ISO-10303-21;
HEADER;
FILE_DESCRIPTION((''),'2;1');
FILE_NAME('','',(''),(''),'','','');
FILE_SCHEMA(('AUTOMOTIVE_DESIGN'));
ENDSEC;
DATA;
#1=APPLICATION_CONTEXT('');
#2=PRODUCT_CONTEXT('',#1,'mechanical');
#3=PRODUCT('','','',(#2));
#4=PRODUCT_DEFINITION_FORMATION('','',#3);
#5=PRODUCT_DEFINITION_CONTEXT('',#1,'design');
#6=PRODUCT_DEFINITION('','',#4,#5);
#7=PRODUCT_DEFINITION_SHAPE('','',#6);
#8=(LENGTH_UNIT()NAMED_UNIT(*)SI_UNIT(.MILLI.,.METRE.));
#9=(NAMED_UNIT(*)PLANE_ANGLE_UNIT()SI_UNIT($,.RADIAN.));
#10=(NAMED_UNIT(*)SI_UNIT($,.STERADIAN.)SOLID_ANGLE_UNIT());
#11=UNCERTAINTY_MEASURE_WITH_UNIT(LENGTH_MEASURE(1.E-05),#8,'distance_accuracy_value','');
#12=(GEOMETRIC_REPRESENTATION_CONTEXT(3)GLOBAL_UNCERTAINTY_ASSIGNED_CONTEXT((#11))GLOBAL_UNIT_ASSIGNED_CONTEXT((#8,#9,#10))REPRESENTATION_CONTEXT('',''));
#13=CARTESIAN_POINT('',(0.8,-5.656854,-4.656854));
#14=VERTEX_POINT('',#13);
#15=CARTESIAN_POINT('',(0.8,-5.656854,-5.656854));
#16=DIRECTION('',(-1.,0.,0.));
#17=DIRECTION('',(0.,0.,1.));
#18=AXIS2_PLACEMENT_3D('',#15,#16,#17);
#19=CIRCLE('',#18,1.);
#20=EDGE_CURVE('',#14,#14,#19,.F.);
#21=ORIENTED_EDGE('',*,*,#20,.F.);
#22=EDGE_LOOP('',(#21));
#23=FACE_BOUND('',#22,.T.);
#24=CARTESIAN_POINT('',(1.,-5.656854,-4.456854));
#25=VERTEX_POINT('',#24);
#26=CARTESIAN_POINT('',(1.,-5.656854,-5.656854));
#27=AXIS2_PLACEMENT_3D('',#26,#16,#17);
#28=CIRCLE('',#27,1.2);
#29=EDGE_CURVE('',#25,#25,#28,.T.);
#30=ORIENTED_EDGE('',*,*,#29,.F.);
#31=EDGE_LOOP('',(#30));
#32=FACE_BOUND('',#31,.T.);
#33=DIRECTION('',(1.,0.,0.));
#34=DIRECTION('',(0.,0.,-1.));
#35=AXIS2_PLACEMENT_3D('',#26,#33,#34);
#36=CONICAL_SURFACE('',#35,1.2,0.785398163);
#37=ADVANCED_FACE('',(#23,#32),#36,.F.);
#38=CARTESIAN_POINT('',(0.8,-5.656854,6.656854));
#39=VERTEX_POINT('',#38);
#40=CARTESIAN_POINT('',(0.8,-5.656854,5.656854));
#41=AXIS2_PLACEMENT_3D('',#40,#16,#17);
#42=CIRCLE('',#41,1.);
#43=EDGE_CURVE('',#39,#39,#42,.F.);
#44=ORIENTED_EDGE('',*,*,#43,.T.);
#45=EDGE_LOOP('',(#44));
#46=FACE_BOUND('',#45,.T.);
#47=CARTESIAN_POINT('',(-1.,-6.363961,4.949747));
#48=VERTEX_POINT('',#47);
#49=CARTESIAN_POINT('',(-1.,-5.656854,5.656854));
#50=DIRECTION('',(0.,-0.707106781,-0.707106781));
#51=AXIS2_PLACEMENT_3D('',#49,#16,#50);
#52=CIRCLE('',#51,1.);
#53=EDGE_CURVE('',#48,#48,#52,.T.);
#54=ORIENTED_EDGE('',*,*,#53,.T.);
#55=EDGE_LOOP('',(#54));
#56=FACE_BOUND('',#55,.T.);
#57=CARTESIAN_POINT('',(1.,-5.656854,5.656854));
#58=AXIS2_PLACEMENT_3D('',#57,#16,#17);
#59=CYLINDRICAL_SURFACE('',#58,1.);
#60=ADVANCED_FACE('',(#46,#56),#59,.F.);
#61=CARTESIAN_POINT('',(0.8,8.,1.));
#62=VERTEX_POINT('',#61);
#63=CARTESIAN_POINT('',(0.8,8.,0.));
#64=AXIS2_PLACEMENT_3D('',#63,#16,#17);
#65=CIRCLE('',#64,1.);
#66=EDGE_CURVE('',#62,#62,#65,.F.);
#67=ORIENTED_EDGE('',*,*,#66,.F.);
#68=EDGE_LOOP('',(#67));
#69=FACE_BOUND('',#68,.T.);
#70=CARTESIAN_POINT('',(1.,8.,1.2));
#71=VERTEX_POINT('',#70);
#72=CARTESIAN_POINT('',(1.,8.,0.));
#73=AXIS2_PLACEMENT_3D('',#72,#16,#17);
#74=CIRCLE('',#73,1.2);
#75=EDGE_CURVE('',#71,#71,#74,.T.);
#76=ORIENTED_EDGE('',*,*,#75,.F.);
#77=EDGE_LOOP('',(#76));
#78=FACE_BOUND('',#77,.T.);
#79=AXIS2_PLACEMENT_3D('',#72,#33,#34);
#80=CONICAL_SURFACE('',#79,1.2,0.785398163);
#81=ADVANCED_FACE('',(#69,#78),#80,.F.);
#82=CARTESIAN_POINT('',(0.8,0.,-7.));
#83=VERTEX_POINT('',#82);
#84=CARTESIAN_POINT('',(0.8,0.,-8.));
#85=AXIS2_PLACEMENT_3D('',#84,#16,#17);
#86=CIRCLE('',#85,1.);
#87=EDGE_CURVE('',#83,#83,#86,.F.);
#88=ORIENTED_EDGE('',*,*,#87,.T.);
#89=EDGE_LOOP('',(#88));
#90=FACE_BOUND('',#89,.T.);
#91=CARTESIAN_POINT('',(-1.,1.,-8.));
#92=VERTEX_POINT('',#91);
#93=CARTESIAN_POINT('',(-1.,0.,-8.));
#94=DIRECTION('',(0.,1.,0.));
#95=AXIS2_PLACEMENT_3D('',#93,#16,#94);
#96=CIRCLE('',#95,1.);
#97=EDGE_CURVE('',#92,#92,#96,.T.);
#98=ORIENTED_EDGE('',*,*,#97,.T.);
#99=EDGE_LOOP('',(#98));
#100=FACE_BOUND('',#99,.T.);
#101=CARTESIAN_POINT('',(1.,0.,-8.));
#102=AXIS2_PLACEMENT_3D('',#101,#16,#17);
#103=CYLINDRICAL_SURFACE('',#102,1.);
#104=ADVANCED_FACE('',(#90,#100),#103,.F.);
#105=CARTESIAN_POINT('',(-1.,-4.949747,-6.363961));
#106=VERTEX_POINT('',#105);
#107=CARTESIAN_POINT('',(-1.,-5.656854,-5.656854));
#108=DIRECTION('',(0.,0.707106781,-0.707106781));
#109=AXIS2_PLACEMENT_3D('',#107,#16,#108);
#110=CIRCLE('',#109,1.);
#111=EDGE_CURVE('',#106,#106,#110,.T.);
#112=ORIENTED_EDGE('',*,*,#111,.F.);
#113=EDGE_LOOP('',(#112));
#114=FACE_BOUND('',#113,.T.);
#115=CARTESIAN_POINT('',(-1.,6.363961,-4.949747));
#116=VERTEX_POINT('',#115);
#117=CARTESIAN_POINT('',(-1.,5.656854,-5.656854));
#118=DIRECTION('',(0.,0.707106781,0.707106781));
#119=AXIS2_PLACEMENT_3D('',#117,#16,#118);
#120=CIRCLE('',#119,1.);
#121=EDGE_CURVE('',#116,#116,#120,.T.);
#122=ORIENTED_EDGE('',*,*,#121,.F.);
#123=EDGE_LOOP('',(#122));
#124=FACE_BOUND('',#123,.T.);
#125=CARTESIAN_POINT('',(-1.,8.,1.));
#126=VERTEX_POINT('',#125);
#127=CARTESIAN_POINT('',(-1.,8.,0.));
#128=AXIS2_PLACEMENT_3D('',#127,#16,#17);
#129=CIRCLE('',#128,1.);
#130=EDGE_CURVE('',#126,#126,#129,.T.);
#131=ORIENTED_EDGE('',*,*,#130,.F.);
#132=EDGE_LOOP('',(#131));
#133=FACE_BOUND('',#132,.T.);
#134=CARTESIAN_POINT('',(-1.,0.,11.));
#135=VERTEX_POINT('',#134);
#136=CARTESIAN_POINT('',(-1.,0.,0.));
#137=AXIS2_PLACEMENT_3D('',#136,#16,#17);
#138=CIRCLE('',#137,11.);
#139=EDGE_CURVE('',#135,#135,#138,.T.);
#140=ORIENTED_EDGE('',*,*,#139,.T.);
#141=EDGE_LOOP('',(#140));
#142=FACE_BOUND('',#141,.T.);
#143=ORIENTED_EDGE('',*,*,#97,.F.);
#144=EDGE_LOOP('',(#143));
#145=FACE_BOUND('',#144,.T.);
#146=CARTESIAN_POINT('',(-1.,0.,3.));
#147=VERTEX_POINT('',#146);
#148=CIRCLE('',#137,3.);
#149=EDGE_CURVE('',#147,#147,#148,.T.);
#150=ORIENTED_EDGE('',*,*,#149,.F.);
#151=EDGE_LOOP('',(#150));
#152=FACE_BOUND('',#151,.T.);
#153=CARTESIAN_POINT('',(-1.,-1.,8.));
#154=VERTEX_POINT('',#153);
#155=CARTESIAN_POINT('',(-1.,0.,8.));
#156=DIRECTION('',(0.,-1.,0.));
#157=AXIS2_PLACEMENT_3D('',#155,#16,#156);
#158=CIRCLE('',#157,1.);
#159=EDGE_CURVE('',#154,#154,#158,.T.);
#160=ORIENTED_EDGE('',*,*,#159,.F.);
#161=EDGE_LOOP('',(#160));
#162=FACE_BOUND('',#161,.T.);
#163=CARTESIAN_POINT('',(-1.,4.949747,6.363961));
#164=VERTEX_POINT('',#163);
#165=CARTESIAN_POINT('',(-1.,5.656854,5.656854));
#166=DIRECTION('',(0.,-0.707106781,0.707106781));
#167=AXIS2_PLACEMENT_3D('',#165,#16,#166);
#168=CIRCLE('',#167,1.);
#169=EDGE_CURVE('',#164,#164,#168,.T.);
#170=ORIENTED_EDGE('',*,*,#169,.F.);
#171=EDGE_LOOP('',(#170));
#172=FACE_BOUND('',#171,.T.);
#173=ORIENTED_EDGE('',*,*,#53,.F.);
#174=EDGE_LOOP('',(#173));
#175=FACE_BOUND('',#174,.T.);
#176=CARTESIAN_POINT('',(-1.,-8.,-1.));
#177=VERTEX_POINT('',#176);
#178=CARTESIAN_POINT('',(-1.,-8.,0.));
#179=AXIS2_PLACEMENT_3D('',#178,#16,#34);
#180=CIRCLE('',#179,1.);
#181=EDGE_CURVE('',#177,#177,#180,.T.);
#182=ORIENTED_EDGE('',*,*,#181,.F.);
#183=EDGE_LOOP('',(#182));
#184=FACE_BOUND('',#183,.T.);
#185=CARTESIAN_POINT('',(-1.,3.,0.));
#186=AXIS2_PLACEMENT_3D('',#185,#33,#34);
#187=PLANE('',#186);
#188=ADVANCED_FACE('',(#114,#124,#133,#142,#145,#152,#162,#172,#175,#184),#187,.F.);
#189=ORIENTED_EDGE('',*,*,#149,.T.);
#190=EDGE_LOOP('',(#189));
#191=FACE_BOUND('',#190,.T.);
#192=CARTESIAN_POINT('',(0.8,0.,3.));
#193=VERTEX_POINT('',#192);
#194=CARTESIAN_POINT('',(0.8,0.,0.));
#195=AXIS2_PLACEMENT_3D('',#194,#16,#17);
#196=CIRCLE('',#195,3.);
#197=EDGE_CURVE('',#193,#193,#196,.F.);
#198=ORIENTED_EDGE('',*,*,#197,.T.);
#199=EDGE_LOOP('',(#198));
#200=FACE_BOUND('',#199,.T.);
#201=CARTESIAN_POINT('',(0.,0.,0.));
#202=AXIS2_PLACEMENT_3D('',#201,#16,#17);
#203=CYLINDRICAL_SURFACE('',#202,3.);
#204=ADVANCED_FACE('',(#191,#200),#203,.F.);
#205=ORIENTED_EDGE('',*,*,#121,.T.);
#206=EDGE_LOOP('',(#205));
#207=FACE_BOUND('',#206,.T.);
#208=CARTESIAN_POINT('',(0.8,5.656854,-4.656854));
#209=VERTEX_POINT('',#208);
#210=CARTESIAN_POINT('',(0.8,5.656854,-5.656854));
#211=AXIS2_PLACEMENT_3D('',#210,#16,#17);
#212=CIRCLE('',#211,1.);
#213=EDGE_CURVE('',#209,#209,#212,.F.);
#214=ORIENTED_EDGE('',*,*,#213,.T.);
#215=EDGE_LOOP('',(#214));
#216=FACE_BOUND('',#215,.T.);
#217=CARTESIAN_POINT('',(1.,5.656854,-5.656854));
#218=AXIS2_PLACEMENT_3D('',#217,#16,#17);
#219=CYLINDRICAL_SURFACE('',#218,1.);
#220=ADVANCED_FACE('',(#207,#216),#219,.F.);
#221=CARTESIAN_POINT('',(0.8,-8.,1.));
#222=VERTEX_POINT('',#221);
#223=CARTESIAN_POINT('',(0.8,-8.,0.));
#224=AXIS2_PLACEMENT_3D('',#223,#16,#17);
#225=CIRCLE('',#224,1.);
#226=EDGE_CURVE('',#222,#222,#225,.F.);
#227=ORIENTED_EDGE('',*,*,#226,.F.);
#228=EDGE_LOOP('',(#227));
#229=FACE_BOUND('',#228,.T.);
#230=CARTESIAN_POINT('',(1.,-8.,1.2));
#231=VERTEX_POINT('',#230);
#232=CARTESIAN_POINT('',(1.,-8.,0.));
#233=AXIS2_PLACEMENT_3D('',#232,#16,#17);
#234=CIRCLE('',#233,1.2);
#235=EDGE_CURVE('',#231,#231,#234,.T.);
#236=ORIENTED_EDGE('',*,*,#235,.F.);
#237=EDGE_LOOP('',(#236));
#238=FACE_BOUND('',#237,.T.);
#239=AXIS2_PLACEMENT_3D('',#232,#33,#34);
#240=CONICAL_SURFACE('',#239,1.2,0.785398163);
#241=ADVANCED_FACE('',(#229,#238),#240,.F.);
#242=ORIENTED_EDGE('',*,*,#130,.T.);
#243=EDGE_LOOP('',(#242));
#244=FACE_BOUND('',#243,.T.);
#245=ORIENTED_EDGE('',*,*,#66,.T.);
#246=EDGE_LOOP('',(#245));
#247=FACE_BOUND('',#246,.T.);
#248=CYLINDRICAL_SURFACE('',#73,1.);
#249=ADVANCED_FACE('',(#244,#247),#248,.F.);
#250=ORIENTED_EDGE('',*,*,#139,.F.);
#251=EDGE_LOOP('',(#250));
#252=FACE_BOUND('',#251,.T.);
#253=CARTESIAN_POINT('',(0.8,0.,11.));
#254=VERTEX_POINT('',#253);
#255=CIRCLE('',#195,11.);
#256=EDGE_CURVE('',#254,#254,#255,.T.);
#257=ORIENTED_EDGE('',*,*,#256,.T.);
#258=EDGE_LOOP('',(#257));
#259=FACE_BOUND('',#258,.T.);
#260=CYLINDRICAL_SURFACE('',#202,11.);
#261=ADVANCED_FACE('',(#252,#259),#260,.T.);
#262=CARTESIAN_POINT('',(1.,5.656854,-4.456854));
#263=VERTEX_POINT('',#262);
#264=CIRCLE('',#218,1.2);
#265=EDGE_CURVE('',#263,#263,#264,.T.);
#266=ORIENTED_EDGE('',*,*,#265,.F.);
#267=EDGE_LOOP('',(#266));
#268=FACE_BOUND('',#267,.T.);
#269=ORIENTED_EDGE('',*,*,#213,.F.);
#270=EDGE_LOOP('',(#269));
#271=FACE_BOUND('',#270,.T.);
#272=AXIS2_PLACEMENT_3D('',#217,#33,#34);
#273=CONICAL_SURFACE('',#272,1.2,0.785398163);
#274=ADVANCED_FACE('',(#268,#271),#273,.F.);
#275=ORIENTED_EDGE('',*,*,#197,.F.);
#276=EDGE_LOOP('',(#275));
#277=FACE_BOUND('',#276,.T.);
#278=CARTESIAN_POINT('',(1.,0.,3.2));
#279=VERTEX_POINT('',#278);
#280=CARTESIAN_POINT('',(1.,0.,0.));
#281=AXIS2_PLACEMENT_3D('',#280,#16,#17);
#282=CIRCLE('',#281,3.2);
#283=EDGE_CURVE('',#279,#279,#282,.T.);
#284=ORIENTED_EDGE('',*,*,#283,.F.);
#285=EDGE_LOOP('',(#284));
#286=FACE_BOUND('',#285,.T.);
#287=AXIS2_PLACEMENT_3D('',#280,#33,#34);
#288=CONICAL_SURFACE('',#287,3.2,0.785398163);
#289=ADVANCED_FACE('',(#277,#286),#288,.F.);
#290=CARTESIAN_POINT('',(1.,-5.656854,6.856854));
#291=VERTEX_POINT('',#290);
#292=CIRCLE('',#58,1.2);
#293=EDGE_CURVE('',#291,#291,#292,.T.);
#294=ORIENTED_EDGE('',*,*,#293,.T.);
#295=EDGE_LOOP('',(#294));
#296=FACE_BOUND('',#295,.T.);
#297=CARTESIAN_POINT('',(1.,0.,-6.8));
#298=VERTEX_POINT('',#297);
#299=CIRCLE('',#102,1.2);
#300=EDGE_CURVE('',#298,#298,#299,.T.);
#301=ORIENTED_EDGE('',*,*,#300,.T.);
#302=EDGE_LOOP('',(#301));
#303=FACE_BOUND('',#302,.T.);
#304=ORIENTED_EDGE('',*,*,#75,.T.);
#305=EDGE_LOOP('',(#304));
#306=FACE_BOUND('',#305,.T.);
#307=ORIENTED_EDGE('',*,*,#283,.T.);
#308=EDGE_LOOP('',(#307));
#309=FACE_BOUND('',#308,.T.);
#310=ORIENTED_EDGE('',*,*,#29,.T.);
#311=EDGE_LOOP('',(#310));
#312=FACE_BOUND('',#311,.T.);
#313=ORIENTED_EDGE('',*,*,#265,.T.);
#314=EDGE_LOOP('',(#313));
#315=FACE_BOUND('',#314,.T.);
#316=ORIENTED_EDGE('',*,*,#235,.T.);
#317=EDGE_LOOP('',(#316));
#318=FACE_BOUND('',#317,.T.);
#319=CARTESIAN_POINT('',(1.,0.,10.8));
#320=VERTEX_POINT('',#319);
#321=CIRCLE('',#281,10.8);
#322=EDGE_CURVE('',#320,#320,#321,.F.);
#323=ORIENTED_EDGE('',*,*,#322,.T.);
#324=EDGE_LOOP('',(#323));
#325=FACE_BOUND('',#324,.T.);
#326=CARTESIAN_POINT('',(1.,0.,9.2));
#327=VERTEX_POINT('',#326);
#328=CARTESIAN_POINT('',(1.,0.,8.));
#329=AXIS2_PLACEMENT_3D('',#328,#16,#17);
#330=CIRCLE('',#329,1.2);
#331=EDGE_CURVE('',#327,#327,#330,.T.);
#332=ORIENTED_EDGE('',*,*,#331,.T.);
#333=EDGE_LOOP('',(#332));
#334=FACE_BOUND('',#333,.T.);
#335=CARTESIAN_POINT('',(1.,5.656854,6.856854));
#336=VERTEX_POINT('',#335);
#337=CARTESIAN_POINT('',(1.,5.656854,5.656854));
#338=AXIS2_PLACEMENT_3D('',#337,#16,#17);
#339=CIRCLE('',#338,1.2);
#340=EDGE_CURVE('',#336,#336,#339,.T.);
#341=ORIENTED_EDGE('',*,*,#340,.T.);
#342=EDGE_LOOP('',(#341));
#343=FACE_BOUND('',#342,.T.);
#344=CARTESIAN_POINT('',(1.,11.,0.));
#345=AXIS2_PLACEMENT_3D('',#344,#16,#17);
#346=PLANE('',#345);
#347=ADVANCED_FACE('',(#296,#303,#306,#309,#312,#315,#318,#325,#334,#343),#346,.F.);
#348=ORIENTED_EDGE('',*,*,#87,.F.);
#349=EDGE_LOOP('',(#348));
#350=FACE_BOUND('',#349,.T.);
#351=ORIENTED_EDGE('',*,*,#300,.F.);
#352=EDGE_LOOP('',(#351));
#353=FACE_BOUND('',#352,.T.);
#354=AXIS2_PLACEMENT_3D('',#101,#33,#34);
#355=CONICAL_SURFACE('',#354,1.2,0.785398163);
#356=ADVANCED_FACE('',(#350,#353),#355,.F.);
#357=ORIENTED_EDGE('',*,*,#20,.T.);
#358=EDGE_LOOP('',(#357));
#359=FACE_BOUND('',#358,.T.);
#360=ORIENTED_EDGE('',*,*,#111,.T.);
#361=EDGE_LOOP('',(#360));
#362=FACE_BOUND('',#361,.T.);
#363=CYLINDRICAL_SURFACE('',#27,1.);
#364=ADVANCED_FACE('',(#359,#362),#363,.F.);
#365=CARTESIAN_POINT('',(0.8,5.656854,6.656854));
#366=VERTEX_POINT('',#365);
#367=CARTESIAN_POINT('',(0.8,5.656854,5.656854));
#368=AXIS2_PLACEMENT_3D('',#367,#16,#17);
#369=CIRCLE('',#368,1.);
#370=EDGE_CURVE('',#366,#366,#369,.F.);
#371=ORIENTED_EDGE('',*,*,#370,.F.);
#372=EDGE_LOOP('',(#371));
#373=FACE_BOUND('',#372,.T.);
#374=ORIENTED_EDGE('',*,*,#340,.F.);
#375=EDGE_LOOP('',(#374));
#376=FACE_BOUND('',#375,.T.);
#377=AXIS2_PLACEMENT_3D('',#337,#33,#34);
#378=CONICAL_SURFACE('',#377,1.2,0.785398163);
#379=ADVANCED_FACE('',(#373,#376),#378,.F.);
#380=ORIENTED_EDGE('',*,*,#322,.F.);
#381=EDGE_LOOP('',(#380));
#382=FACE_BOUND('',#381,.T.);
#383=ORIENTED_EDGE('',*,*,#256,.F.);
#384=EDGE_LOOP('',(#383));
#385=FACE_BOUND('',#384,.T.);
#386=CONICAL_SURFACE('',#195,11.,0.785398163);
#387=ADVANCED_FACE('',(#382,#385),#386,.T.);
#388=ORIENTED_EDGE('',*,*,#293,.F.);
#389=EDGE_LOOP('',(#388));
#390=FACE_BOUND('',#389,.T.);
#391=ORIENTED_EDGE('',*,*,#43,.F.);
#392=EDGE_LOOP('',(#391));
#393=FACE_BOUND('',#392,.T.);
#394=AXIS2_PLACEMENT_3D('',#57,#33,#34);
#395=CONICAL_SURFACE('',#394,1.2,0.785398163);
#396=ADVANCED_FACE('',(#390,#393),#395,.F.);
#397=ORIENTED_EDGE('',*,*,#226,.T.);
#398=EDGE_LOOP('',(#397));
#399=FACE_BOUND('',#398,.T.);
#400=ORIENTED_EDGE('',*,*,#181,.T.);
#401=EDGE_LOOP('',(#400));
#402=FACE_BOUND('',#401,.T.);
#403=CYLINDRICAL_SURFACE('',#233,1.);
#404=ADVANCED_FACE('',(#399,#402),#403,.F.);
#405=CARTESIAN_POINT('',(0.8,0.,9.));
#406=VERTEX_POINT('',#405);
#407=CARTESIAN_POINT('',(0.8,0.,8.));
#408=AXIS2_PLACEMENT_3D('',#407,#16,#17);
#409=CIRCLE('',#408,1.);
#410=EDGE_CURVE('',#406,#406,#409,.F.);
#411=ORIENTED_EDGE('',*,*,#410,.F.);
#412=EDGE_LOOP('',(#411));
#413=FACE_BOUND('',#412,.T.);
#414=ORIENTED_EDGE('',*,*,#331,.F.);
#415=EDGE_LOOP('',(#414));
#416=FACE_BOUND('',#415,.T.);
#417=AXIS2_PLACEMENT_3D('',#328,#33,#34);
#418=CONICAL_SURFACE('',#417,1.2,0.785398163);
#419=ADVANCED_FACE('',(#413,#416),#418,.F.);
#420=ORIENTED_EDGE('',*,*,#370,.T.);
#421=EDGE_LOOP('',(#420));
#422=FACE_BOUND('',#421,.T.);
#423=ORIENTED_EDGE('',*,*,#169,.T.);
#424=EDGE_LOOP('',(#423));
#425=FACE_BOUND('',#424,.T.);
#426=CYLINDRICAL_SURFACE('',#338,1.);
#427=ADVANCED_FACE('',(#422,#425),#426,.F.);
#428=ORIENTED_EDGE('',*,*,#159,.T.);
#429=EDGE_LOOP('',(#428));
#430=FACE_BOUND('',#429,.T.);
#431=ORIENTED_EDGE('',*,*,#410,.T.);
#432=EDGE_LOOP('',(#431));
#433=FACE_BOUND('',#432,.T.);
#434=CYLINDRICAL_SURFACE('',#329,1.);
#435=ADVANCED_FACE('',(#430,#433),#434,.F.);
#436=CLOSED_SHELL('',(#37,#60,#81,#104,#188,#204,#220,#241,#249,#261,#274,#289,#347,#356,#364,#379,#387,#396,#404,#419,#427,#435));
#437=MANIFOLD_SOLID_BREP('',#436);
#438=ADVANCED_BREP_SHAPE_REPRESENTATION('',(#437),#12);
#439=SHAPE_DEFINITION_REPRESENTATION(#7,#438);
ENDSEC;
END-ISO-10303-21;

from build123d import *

# Parameters (mm, degrees)
SKETCH2_W          = 2
SKETCH2_H          = 8
SKETCH3_R          = 1
CUT_EXTRUDE1_DEPTH = 16.684387141
CIRPATTERN1_COUNT  = 8
CHAMFER1_SIZE      = 0.2


with BuildPart() as part:
    # Sketch2 → Revolve1 (revolve)
    with BuildSketch(Plane.XY, mode=Mode.PRIVATE) as revolve1_sk:
        with Locations((0, 7)):
            Rectangle(SKETCH2_W, SKETCH2_H)
    revolve(revolve1_sk.sketch.rotate(Axis((0, 0, 0), (1, 0, 0)), 90), axis=Axis((0, 0, 0), (1, 0, 0)))

    # Sketch3 → Cut-Extrude1 (cut, through all)
    with BuildSketch(Plane.ZY.offset(1)):
        with Locations((0, 8)):
            Circle(SKETCH3_R)
    cut_extrude1 = extrude(amount=-CUT_EXTRUDE1_DEPTH, mode=Mode.SUBTRACT)

    # CirPattern1: Cut-Extrude1 ×8 about axis
    cirpattern1_axis = Axis((0, 0, 0), (1, 0, 0))
    for i in range(1, CIRPATTERN1_COUNT):
        add(cut_extrude1.rotate(cirpattern1_axis, i * 360 / CIRPATTERN1_COUNT), mode=Mode.SUBTRACT)

    # Chamfer1
    chamfer1_edges = [part.edges().sort_by_distance(p)[0] for p in [
        (1, 8, -1),
        (1, 4.949747468, -6.363961031),
        (1, -1, -8),
        (1, -6.363961031, -4.949747468),
        (1, -8, 1),
        (1, -4.949747468, 6.363961031),
        (1, 1, 8),
        (1, 0, -3),
        (1, 0, -11),
        (1, 6.363961031, 4.949747468),
    ]]
    chamfer(chamfer1_edges, length=CHAMFER1_SIZE)


solid = part.part
